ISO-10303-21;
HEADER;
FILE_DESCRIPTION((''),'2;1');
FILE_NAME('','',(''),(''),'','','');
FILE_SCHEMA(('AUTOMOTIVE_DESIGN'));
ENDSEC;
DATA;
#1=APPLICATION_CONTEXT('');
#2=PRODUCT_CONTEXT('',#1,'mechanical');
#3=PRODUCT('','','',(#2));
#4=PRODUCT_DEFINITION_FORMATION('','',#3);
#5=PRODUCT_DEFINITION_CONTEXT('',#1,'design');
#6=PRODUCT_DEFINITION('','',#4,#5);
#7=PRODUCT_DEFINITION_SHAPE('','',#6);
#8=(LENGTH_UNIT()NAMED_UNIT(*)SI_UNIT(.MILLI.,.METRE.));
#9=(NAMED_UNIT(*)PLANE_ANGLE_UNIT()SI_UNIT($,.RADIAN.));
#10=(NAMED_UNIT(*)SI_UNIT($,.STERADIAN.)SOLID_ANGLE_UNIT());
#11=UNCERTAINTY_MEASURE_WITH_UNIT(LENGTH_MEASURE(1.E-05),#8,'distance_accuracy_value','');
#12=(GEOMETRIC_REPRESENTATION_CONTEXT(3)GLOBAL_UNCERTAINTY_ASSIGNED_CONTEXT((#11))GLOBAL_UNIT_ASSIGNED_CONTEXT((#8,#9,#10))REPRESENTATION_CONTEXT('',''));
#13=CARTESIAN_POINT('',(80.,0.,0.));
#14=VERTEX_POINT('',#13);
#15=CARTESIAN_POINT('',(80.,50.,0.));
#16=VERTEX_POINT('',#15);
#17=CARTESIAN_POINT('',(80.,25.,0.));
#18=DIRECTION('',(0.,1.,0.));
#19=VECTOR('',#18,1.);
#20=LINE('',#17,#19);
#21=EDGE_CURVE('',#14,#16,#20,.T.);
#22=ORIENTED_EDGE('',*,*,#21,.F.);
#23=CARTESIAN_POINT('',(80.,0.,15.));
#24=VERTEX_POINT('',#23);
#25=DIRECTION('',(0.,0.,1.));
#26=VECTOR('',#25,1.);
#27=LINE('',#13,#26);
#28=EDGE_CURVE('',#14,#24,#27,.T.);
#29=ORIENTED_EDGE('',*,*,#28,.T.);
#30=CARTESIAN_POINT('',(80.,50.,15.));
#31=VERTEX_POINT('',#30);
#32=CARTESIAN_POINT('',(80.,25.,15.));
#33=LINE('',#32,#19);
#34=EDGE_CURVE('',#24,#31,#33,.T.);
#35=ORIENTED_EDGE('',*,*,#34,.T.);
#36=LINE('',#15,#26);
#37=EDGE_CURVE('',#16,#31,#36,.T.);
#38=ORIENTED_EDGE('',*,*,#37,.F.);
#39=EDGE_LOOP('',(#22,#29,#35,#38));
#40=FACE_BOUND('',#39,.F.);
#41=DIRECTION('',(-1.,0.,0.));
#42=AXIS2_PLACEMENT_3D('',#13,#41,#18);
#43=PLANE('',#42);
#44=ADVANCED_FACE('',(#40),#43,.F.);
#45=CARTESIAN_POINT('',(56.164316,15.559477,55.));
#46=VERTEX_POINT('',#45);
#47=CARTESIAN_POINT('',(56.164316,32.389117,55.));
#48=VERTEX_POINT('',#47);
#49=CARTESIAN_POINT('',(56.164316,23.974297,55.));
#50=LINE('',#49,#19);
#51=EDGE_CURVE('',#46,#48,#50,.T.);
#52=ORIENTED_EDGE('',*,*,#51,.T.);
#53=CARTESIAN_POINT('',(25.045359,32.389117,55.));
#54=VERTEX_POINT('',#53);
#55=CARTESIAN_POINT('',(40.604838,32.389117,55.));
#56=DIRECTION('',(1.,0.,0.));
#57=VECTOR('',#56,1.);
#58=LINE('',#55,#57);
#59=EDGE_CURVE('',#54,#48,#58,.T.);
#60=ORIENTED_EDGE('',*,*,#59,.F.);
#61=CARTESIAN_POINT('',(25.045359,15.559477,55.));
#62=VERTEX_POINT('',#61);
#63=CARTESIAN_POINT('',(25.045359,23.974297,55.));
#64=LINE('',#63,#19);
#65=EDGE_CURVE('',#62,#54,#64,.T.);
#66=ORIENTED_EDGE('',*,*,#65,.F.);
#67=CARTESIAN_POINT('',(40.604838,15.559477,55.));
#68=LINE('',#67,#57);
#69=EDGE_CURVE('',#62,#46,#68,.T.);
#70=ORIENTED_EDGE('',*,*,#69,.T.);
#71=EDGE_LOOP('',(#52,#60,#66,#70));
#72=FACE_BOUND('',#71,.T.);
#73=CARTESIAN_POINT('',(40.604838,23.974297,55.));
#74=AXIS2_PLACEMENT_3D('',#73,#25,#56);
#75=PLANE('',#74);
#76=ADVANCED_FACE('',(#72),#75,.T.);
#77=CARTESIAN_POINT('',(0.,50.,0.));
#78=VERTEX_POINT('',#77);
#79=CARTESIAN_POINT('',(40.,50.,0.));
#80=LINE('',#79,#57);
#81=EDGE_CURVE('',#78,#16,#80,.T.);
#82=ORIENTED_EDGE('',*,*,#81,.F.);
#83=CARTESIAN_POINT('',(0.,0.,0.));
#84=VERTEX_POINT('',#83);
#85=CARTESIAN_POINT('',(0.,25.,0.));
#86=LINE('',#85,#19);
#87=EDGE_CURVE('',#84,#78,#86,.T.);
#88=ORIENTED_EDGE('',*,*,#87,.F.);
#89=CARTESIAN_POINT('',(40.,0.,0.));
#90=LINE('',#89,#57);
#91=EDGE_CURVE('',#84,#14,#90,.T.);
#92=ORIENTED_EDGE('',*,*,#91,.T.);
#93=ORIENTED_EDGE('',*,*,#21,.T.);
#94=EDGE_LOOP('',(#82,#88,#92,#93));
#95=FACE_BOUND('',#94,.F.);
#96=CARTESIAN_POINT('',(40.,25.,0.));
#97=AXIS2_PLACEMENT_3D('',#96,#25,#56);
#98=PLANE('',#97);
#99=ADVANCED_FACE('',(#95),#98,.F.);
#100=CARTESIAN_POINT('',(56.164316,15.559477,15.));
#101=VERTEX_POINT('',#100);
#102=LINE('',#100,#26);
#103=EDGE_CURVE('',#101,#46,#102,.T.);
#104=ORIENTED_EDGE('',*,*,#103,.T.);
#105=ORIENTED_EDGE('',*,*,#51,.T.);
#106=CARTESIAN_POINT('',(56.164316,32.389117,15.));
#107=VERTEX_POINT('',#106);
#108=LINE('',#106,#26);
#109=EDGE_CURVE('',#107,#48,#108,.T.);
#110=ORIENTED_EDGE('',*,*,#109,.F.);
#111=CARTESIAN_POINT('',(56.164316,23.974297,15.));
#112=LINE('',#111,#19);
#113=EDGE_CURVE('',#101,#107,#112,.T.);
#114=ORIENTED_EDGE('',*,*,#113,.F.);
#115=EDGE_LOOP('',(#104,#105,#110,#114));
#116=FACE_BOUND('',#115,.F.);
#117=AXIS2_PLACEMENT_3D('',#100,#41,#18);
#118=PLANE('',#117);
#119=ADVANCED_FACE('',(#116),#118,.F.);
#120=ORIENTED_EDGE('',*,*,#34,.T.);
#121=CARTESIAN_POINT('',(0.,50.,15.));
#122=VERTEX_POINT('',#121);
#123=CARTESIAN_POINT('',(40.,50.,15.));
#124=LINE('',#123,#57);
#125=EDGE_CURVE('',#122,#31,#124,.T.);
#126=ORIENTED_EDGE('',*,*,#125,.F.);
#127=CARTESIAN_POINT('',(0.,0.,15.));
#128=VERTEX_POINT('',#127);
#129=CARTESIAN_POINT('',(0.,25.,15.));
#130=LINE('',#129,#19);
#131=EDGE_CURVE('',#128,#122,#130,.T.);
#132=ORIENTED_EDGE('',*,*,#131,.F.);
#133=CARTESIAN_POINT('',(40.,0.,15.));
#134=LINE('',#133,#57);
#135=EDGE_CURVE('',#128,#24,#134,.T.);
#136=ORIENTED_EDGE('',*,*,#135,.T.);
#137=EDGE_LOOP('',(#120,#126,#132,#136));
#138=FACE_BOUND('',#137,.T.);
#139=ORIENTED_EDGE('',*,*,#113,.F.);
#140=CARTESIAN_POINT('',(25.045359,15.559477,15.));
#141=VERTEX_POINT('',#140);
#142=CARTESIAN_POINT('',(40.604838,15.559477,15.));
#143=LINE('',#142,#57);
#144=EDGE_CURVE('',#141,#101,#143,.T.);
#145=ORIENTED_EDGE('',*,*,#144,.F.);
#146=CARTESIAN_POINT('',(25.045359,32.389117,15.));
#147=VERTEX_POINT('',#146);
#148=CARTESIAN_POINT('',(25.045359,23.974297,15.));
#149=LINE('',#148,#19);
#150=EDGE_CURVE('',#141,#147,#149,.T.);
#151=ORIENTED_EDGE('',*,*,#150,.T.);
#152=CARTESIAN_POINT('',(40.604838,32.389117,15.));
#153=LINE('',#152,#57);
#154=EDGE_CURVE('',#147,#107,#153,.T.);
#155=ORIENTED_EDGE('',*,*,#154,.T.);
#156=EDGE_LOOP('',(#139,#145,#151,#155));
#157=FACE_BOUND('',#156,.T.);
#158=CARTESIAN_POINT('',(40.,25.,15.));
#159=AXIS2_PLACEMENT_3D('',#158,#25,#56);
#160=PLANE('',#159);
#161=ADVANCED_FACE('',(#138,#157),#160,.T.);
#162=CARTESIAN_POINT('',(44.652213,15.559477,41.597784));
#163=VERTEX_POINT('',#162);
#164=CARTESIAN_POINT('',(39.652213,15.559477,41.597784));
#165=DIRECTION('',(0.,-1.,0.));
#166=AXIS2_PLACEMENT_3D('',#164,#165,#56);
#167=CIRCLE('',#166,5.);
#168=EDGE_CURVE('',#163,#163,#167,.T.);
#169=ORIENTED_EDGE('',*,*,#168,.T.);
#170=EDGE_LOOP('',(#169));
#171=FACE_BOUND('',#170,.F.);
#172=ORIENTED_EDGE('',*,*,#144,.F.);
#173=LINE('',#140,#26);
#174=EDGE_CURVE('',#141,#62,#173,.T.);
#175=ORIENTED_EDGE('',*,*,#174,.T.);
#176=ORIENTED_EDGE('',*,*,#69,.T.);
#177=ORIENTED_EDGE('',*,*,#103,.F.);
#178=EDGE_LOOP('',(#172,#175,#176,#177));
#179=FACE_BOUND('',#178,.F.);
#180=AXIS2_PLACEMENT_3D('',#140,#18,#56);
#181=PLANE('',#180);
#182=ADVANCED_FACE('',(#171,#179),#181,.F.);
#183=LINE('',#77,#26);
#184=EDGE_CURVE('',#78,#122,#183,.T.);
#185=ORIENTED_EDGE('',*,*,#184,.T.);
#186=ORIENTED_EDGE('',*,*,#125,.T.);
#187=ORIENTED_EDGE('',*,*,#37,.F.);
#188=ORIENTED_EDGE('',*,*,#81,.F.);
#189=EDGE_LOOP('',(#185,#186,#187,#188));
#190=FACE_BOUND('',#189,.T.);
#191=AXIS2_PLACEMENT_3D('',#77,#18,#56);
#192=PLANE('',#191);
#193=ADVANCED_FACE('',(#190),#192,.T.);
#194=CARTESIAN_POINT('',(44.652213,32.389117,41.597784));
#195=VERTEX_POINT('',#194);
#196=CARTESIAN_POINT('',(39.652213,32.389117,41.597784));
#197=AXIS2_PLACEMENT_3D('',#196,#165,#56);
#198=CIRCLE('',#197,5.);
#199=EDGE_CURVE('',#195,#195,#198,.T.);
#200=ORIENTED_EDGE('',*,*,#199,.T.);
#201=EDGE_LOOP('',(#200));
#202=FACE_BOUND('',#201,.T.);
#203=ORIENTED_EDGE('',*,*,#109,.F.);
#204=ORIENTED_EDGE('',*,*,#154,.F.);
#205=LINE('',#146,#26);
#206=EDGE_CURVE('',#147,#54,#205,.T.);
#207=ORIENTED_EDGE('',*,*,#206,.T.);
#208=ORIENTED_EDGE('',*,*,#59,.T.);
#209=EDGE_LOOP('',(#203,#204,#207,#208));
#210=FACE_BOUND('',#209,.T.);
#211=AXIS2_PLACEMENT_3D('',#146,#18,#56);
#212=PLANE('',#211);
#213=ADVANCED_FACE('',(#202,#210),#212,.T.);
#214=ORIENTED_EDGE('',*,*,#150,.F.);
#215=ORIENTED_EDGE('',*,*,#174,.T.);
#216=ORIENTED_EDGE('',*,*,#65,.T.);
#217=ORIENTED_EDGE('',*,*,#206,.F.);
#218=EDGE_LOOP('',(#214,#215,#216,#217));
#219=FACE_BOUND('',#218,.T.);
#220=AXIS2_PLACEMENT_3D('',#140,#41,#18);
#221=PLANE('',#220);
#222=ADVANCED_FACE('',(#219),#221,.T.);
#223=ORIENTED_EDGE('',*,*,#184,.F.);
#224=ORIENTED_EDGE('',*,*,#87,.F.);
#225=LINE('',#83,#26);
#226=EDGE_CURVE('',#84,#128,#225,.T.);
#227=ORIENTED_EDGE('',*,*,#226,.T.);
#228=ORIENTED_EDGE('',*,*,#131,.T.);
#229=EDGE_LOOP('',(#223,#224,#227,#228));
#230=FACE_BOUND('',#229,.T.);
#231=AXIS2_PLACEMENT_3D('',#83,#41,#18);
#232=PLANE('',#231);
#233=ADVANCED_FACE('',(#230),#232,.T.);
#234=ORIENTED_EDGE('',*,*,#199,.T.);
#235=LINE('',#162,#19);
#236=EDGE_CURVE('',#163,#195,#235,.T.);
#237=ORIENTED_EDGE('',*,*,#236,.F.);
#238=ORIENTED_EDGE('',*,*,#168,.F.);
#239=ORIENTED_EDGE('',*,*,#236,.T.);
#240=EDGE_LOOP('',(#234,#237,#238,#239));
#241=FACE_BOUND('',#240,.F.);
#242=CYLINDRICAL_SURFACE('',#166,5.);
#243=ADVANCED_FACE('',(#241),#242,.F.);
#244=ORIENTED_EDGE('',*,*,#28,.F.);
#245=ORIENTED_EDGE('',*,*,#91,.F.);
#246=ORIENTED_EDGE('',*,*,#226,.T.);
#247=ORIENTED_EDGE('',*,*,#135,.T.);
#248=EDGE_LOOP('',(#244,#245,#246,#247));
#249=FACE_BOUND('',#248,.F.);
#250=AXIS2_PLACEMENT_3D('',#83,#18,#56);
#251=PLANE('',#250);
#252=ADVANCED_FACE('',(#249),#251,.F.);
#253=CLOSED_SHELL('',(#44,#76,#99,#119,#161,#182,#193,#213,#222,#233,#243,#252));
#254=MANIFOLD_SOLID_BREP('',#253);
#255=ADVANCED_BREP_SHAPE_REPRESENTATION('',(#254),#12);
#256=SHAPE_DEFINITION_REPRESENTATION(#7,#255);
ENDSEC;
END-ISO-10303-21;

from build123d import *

# Parameters (mm, degrees)
F0_W     = 80
F0_H     = 50
F1_DEPTH = 15
F2_W     = 31.118957
F2_H     = 16.829639
F3_DEPTH = 40
F4_R     = 5
F5_DEPTH = 34.441523


with BuildPart() as f1:
    # F0 (on Top) → F1 (new body)
    with BuildSketch(Plane.XY):
        with Locations((40, 25)):
            Rectangle(F0_W, F0_H)
    extrude(amount=F1_DEPTH)

    # F2 (on face) → F3 (join)
    with BuildSketch(Plane.XY.offset(15)):
        with Locations((40.604838, 23.974297)):
            Rectangle(F2_W, F2_H)
    extrude(amount=F3_DEPTH)

    # F4 (on face) → F5 (cut, through all)
    with BuildSketch(Plane.XZ.offset(-15.559477)):
        with Locations((39.652213, 41.597784)):
            Circle(F4_R)
    extrude(amount=-F5_DEPTH, mode=Mode.SUBTRACT)


solid = f1.part
